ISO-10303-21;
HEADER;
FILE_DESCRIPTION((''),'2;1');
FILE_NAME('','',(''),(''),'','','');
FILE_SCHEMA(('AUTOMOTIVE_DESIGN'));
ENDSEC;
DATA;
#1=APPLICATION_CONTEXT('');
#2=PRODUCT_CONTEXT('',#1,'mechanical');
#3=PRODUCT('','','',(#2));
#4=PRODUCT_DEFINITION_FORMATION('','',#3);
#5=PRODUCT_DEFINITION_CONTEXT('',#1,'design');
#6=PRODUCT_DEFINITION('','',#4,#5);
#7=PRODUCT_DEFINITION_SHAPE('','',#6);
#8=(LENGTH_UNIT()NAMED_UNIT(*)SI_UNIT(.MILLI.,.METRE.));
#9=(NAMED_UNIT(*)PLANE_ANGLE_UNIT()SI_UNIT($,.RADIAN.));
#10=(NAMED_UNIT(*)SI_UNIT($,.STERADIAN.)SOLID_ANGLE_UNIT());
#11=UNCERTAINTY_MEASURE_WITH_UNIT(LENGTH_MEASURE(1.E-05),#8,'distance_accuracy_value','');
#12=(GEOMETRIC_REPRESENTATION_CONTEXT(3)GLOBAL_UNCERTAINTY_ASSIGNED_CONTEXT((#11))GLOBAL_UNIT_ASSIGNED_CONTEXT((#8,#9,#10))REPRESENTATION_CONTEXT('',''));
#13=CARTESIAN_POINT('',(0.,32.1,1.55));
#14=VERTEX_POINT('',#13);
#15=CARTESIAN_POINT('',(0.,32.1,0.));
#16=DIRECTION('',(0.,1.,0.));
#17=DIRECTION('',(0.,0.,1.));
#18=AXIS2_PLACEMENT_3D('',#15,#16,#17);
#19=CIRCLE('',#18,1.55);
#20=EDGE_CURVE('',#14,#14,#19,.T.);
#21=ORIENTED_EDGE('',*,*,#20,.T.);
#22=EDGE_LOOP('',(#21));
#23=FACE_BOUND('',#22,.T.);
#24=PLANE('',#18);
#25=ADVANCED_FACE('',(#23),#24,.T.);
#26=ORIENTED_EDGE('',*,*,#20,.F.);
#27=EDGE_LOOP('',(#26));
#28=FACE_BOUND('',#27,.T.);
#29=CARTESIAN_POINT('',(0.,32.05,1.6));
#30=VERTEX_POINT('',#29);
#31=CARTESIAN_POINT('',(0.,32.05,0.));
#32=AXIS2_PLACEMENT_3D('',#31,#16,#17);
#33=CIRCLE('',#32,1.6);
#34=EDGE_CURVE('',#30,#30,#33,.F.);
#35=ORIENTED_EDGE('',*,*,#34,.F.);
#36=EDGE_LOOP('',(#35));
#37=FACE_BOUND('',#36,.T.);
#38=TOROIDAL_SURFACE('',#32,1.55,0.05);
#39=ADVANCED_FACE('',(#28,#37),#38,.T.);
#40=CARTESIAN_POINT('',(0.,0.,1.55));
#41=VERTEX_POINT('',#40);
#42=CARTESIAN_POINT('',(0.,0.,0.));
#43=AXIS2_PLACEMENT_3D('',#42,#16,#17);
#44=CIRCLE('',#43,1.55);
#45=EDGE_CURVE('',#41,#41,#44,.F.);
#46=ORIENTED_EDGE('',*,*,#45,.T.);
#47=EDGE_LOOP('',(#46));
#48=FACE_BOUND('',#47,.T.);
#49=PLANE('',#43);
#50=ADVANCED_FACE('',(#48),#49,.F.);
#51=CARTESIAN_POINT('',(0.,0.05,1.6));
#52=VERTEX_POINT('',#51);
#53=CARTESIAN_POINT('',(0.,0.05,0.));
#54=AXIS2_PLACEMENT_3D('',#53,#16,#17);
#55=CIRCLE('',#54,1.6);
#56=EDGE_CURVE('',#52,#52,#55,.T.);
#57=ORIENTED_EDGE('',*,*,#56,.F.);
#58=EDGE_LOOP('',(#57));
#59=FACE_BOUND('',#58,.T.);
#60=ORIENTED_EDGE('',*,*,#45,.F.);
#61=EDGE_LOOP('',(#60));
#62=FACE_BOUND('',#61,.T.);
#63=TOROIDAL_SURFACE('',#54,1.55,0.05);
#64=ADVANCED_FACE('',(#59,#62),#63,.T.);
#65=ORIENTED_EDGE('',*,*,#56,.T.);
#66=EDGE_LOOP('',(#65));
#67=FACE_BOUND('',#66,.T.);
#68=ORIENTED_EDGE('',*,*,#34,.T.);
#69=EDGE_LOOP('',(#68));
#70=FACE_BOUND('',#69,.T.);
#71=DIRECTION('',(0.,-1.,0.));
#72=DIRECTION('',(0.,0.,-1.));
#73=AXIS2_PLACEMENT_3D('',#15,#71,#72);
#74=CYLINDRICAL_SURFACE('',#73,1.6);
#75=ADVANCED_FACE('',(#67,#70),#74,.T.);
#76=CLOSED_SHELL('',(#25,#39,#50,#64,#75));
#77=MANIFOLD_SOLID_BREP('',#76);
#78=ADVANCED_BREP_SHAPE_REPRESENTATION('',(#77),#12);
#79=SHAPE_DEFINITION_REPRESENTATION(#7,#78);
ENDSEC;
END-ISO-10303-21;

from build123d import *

# Parameters (mm, degrees)
SKETCH1_R      = 1.6
EXTRUDE1_DEPTH = 32.1
FILLET1_R      = 0.05


with BuildPart() as part:
    # Sketch1 → Extrude1 (new body)
    with BuildSketch(Plane(origin=(0, 0, 0), x_dir=(1, 0, 0), z_dir=(0, 1, 0))):
        Circle(SKETCH1_R)
    extrude(amount=EXTRUDE1_DEPTH)

    # Fillet1
    fillet1_edges = [part.edges().sort_by_distance(p)[0] for p in [
        (-1.6, 0, 0),
        (-1.6, 32.1, 0),
    ]]
    fillet(fillet1_edges, radius=FILLET1_R)


solid = part.part
